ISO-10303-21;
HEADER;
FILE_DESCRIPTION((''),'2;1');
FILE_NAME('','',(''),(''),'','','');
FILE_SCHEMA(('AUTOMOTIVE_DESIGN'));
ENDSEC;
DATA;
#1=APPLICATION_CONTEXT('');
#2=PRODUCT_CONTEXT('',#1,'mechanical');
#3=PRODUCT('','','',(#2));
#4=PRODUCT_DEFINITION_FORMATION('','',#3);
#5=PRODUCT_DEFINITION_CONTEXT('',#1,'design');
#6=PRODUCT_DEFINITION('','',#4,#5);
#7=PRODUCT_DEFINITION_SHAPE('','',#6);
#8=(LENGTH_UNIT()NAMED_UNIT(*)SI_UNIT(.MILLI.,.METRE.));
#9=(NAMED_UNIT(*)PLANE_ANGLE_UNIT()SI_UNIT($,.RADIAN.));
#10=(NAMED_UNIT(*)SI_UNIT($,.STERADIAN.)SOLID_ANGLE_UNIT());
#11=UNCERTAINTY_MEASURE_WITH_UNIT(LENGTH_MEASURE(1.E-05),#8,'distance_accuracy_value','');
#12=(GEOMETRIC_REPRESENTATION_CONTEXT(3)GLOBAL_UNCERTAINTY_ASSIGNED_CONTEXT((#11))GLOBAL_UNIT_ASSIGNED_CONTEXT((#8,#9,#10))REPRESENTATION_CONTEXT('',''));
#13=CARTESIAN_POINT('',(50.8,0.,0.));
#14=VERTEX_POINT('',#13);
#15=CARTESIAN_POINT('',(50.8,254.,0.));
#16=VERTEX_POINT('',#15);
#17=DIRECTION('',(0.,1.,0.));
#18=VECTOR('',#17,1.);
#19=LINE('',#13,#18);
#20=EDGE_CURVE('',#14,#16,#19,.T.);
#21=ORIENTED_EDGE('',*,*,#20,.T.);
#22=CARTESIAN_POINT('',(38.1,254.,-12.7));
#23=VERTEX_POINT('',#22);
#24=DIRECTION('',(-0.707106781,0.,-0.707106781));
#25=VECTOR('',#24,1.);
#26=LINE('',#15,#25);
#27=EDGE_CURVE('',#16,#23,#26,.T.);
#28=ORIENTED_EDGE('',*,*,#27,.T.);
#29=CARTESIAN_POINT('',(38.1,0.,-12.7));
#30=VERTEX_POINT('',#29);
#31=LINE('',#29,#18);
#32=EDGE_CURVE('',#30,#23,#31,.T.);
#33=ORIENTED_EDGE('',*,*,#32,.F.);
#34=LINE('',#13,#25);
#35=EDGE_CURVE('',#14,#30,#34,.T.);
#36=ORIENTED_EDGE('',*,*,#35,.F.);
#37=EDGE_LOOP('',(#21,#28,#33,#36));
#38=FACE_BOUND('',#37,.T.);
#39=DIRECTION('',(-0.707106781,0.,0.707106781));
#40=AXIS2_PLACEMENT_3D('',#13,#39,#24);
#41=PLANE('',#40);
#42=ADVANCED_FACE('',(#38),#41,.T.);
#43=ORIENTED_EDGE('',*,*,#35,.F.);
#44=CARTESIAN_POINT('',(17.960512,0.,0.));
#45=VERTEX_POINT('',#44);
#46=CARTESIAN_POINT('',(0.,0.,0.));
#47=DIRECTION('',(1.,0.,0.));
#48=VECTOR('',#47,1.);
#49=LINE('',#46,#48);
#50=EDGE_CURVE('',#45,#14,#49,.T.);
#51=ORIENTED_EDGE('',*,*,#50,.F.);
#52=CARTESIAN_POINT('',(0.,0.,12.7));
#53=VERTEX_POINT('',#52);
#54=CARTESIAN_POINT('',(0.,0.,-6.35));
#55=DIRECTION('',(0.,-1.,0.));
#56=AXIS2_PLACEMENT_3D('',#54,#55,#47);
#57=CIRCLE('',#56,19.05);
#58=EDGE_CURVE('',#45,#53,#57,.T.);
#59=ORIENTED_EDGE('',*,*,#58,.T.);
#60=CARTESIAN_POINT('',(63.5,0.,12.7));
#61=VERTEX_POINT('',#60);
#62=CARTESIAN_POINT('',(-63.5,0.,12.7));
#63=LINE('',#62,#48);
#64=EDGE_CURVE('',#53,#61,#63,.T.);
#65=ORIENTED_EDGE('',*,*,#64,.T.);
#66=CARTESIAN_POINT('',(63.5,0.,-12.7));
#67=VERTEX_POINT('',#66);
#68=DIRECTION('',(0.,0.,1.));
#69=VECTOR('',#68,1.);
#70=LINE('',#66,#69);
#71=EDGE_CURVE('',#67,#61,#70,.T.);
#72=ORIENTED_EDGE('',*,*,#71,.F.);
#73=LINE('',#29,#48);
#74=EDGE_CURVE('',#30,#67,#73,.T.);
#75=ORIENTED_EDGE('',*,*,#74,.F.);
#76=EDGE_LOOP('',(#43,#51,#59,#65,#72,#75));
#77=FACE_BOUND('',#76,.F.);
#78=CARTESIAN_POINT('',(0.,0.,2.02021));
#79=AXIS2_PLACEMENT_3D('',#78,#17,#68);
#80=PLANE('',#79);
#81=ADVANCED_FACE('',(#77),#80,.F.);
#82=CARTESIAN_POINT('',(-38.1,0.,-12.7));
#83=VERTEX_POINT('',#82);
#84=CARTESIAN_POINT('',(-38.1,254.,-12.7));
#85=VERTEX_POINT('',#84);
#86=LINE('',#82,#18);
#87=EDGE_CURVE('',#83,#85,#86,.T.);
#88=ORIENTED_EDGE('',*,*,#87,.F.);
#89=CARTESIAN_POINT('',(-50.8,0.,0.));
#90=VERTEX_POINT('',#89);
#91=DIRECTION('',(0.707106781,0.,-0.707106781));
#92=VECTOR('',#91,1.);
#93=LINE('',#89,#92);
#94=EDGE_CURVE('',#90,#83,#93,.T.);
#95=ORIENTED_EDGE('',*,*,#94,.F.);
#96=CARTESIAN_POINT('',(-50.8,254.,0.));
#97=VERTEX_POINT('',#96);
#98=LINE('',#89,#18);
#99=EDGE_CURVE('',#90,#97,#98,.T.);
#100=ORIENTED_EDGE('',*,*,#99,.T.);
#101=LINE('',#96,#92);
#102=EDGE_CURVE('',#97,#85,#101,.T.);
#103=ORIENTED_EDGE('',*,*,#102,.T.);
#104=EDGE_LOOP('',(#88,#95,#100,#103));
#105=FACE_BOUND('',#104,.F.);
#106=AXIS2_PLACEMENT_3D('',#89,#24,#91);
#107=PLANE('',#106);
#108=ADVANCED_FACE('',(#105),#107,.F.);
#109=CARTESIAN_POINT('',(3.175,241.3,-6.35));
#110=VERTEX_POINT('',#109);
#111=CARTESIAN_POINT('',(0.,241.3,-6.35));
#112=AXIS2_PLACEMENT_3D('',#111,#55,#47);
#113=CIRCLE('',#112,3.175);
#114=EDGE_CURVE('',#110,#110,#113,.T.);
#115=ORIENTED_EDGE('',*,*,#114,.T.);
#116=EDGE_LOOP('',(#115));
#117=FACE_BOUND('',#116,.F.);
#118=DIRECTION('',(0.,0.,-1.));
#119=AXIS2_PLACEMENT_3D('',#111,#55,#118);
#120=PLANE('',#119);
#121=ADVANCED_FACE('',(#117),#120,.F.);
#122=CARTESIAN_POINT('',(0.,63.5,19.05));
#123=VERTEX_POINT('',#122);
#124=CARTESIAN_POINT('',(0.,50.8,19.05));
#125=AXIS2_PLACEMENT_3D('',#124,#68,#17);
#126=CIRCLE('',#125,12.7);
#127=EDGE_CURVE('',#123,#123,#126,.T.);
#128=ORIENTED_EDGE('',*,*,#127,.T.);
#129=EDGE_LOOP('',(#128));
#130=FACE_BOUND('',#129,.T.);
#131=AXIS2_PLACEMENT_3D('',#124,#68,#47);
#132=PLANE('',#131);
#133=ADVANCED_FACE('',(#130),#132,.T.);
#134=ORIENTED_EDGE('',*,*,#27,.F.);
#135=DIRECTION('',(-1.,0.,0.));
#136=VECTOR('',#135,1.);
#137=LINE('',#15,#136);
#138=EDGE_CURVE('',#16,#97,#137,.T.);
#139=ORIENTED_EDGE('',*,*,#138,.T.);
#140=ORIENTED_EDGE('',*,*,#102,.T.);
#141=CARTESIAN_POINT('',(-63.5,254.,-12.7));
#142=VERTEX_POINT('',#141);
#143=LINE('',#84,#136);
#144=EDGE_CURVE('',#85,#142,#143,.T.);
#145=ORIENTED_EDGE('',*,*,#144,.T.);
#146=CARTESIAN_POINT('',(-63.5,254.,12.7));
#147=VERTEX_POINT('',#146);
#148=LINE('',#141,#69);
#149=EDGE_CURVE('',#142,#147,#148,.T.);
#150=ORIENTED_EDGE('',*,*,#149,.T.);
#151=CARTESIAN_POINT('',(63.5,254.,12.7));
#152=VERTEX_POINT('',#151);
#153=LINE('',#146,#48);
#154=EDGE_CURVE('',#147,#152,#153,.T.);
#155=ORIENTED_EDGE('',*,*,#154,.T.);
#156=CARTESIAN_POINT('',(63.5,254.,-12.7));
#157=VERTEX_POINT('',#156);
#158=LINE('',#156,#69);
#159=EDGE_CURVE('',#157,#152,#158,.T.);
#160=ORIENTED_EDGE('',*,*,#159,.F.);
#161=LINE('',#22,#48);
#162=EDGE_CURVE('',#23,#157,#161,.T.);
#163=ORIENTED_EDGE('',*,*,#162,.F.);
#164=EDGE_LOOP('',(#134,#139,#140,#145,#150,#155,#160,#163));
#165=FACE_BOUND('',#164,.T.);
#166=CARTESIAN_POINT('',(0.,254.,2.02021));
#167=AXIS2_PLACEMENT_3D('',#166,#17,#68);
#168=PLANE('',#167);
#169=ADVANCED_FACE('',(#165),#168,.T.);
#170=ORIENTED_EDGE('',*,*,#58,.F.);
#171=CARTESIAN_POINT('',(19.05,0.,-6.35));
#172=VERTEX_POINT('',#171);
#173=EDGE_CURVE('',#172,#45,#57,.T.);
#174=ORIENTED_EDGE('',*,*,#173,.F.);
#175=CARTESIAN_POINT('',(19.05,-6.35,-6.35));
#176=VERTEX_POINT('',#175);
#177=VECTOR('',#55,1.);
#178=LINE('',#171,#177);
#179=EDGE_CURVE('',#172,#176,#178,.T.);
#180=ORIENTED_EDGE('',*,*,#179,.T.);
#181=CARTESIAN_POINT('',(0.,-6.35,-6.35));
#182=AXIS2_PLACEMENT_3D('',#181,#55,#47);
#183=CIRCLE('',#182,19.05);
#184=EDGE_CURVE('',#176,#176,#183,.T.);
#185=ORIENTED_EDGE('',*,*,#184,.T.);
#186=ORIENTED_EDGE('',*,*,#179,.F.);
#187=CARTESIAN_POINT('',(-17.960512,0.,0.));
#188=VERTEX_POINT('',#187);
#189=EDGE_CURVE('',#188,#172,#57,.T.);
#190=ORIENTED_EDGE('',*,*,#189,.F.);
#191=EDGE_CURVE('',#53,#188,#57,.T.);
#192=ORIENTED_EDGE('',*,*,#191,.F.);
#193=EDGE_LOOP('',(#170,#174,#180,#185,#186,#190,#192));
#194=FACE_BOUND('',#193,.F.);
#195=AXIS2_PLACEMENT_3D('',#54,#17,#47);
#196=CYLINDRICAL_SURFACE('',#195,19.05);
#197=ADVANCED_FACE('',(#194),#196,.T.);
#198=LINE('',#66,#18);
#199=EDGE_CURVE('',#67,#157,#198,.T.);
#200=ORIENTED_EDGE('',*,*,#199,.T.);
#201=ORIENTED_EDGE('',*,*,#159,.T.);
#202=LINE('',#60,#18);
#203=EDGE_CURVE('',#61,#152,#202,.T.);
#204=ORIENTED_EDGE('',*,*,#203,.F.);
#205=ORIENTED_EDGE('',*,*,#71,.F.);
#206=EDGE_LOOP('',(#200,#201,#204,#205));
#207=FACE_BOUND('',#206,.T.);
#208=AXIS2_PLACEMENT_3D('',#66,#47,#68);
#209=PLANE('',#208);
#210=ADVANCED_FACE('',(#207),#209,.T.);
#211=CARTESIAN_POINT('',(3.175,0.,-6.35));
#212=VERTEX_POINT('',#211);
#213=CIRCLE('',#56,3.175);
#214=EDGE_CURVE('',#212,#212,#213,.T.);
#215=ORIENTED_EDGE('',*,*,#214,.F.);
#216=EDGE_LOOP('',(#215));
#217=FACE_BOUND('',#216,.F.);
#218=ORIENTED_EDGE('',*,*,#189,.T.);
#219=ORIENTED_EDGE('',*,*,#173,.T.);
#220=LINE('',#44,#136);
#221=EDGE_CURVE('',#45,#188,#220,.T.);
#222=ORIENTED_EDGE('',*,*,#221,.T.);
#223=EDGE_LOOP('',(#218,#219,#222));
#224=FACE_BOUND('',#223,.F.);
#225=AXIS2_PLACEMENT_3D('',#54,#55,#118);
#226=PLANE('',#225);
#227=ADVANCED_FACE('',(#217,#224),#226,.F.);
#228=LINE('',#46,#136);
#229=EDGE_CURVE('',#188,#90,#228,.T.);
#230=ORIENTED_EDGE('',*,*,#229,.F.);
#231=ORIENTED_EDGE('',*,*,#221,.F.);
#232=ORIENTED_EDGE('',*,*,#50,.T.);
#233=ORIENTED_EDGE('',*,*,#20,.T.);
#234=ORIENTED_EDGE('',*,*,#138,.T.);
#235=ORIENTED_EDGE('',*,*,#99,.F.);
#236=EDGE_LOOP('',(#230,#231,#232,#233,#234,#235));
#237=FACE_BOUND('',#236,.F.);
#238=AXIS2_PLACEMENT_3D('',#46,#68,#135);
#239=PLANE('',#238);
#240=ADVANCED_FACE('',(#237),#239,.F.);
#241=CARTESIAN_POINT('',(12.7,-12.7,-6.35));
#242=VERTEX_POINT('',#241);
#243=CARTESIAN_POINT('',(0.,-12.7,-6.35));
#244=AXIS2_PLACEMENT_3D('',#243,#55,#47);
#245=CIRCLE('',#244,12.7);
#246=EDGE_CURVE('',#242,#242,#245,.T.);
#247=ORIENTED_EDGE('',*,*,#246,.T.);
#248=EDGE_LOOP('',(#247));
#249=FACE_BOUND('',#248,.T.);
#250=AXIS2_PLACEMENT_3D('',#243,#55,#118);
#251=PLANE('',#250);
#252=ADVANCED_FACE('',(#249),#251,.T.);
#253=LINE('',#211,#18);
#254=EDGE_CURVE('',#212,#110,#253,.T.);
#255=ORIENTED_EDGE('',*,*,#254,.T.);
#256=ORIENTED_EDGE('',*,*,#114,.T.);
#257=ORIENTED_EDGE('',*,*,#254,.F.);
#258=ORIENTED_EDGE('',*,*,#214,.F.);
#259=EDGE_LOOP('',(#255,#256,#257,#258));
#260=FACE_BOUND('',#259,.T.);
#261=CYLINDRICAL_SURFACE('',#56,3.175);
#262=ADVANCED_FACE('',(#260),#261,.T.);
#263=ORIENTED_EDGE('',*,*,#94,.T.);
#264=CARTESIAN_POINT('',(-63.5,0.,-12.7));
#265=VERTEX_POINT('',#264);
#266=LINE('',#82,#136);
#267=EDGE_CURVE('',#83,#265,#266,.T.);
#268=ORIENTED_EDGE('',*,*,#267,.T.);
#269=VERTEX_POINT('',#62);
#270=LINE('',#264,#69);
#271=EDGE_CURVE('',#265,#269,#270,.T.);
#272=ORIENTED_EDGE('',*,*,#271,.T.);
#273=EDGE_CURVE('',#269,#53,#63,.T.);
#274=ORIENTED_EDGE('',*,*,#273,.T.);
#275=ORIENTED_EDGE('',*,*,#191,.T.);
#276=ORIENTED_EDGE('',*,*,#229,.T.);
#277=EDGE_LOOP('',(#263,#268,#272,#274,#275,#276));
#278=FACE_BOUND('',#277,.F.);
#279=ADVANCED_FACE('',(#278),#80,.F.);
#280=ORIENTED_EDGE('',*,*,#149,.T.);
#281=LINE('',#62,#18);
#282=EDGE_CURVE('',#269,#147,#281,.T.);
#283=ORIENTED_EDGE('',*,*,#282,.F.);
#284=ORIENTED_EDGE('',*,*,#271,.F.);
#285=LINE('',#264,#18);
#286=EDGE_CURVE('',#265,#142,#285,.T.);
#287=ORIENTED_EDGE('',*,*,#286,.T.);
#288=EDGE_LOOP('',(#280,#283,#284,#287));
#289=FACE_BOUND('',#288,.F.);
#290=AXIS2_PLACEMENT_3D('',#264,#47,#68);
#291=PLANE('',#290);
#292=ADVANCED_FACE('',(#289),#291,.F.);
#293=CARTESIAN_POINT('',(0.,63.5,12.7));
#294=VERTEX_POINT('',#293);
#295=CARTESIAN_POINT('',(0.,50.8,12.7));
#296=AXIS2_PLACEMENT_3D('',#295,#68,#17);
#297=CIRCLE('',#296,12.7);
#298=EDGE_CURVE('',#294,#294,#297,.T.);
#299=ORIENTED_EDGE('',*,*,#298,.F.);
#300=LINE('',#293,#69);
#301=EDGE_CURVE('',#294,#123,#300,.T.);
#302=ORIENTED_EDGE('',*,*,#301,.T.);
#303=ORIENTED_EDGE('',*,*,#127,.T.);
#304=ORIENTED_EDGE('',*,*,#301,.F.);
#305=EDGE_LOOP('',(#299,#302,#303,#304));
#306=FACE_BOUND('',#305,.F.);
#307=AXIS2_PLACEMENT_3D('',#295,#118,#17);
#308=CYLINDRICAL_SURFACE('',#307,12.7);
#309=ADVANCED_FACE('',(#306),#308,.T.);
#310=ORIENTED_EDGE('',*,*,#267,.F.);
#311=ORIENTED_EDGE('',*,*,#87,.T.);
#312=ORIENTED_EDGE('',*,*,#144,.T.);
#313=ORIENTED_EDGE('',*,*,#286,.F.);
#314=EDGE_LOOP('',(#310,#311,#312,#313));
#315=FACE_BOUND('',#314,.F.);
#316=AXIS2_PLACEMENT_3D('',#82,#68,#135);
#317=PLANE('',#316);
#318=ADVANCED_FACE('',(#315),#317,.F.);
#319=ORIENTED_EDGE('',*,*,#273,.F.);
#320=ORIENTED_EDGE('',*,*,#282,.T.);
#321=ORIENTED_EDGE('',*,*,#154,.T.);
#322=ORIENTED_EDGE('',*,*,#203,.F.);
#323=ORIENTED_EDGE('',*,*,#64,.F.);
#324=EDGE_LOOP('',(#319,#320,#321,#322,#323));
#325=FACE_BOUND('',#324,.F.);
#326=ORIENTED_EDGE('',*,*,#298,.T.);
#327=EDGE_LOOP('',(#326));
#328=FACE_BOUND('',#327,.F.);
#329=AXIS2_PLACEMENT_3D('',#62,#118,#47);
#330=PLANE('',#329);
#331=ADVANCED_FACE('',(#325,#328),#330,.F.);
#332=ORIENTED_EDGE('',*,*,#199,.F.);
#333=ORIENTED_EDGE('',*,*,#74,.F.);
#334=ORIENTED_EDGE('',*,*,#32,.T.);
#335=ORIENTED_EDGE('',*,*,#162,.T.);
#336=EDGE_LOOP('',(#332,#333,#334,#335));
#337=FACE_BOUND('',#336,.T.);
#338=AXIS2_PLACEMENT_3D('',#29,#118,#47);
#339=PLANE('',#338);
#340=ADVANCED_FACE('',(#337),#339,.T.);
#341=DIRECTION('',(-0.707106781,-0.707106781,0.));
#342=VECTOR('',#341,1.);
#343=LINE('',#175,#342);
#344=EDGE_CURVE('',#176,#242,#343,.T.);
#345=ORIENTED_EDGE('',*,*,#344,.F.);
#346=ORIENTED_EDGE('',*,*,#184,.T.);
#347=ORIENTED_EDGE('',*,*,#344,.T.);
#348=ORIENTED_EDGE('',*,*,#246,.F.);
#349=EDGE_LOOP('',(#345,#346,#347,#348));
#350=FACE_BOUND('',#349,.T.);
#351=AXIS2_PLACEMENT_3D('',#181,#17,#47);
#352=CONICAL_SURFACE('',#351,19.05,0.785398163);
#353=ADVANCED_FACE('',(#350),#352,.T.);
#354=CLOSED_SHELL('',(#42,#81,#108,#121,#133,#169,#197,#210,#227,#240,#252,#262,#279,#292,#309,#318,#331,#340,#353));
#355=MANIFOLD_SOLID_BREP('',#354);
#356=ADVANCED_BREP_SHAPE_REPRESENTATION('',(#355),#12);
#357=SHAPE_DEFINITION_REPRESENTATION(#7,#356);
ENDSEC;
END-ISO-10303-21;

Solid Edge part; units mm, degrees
sketch "Sketch1" plane through (0, 0, 0) normal (0, -1, 0) x (1, 0, 0)
  line L0 (-63.5, 12.7) -> (63.5, 12.7)
  line L1 (63.5, -12.7) -> (63.5, 12.7)
  line L2 (38.1, -12.7) -> (63.5, -12.7)
  line L3 (50.8, 0) -> (38.1, -12.7)
  line L4 (0, 0) -> (50.8, 0)
  line L5 (0, 0) -> (-50.8, 0)
  line L6 (-50.8, 0) -> (-38.1, -12.7)
  line L7 (-38.1, -12.7) -> (-63.5, -12.7)
  line L8 (-63.5, -12.7) -> (-63.5, 12.7)
extrude "Protrusion1" add sketch "Sketch1" against normal blind 254
sketch "Sketch2" plane through (0, 0, 0) normal (0, -1, 0) x (1, 0, 0)
  circle A0 centre (0, -6.35) radius 19.05
extrude "ExtrudedProtrusion_2" add sketch "Sketch2" along normal blind 12.7
chamfer "Chamfer_1" distance 6.35 angle 45 1 edges at (-19.05, -12.7, -6.35)
sketch "Sketch3" plane through (0, 0, 0) normal (0, -1, 0) x (1, 0, 0)
  circle A0 centre (0, -6.35) radius 3.175
extrude "ExtrudedProtrusion_3" add sketch "Sketch3" against normal blind 241.3
sketch "Sketch4" plane through (0, 127, 12.7) normal (0, 0, 1) x (0, 1, 0)
  circle A0 centre (-76.2, 0) radius 12.7
extrude "ExtrudedProtrusion_6" add sketch "Sketch4" along normal blind 6.35
